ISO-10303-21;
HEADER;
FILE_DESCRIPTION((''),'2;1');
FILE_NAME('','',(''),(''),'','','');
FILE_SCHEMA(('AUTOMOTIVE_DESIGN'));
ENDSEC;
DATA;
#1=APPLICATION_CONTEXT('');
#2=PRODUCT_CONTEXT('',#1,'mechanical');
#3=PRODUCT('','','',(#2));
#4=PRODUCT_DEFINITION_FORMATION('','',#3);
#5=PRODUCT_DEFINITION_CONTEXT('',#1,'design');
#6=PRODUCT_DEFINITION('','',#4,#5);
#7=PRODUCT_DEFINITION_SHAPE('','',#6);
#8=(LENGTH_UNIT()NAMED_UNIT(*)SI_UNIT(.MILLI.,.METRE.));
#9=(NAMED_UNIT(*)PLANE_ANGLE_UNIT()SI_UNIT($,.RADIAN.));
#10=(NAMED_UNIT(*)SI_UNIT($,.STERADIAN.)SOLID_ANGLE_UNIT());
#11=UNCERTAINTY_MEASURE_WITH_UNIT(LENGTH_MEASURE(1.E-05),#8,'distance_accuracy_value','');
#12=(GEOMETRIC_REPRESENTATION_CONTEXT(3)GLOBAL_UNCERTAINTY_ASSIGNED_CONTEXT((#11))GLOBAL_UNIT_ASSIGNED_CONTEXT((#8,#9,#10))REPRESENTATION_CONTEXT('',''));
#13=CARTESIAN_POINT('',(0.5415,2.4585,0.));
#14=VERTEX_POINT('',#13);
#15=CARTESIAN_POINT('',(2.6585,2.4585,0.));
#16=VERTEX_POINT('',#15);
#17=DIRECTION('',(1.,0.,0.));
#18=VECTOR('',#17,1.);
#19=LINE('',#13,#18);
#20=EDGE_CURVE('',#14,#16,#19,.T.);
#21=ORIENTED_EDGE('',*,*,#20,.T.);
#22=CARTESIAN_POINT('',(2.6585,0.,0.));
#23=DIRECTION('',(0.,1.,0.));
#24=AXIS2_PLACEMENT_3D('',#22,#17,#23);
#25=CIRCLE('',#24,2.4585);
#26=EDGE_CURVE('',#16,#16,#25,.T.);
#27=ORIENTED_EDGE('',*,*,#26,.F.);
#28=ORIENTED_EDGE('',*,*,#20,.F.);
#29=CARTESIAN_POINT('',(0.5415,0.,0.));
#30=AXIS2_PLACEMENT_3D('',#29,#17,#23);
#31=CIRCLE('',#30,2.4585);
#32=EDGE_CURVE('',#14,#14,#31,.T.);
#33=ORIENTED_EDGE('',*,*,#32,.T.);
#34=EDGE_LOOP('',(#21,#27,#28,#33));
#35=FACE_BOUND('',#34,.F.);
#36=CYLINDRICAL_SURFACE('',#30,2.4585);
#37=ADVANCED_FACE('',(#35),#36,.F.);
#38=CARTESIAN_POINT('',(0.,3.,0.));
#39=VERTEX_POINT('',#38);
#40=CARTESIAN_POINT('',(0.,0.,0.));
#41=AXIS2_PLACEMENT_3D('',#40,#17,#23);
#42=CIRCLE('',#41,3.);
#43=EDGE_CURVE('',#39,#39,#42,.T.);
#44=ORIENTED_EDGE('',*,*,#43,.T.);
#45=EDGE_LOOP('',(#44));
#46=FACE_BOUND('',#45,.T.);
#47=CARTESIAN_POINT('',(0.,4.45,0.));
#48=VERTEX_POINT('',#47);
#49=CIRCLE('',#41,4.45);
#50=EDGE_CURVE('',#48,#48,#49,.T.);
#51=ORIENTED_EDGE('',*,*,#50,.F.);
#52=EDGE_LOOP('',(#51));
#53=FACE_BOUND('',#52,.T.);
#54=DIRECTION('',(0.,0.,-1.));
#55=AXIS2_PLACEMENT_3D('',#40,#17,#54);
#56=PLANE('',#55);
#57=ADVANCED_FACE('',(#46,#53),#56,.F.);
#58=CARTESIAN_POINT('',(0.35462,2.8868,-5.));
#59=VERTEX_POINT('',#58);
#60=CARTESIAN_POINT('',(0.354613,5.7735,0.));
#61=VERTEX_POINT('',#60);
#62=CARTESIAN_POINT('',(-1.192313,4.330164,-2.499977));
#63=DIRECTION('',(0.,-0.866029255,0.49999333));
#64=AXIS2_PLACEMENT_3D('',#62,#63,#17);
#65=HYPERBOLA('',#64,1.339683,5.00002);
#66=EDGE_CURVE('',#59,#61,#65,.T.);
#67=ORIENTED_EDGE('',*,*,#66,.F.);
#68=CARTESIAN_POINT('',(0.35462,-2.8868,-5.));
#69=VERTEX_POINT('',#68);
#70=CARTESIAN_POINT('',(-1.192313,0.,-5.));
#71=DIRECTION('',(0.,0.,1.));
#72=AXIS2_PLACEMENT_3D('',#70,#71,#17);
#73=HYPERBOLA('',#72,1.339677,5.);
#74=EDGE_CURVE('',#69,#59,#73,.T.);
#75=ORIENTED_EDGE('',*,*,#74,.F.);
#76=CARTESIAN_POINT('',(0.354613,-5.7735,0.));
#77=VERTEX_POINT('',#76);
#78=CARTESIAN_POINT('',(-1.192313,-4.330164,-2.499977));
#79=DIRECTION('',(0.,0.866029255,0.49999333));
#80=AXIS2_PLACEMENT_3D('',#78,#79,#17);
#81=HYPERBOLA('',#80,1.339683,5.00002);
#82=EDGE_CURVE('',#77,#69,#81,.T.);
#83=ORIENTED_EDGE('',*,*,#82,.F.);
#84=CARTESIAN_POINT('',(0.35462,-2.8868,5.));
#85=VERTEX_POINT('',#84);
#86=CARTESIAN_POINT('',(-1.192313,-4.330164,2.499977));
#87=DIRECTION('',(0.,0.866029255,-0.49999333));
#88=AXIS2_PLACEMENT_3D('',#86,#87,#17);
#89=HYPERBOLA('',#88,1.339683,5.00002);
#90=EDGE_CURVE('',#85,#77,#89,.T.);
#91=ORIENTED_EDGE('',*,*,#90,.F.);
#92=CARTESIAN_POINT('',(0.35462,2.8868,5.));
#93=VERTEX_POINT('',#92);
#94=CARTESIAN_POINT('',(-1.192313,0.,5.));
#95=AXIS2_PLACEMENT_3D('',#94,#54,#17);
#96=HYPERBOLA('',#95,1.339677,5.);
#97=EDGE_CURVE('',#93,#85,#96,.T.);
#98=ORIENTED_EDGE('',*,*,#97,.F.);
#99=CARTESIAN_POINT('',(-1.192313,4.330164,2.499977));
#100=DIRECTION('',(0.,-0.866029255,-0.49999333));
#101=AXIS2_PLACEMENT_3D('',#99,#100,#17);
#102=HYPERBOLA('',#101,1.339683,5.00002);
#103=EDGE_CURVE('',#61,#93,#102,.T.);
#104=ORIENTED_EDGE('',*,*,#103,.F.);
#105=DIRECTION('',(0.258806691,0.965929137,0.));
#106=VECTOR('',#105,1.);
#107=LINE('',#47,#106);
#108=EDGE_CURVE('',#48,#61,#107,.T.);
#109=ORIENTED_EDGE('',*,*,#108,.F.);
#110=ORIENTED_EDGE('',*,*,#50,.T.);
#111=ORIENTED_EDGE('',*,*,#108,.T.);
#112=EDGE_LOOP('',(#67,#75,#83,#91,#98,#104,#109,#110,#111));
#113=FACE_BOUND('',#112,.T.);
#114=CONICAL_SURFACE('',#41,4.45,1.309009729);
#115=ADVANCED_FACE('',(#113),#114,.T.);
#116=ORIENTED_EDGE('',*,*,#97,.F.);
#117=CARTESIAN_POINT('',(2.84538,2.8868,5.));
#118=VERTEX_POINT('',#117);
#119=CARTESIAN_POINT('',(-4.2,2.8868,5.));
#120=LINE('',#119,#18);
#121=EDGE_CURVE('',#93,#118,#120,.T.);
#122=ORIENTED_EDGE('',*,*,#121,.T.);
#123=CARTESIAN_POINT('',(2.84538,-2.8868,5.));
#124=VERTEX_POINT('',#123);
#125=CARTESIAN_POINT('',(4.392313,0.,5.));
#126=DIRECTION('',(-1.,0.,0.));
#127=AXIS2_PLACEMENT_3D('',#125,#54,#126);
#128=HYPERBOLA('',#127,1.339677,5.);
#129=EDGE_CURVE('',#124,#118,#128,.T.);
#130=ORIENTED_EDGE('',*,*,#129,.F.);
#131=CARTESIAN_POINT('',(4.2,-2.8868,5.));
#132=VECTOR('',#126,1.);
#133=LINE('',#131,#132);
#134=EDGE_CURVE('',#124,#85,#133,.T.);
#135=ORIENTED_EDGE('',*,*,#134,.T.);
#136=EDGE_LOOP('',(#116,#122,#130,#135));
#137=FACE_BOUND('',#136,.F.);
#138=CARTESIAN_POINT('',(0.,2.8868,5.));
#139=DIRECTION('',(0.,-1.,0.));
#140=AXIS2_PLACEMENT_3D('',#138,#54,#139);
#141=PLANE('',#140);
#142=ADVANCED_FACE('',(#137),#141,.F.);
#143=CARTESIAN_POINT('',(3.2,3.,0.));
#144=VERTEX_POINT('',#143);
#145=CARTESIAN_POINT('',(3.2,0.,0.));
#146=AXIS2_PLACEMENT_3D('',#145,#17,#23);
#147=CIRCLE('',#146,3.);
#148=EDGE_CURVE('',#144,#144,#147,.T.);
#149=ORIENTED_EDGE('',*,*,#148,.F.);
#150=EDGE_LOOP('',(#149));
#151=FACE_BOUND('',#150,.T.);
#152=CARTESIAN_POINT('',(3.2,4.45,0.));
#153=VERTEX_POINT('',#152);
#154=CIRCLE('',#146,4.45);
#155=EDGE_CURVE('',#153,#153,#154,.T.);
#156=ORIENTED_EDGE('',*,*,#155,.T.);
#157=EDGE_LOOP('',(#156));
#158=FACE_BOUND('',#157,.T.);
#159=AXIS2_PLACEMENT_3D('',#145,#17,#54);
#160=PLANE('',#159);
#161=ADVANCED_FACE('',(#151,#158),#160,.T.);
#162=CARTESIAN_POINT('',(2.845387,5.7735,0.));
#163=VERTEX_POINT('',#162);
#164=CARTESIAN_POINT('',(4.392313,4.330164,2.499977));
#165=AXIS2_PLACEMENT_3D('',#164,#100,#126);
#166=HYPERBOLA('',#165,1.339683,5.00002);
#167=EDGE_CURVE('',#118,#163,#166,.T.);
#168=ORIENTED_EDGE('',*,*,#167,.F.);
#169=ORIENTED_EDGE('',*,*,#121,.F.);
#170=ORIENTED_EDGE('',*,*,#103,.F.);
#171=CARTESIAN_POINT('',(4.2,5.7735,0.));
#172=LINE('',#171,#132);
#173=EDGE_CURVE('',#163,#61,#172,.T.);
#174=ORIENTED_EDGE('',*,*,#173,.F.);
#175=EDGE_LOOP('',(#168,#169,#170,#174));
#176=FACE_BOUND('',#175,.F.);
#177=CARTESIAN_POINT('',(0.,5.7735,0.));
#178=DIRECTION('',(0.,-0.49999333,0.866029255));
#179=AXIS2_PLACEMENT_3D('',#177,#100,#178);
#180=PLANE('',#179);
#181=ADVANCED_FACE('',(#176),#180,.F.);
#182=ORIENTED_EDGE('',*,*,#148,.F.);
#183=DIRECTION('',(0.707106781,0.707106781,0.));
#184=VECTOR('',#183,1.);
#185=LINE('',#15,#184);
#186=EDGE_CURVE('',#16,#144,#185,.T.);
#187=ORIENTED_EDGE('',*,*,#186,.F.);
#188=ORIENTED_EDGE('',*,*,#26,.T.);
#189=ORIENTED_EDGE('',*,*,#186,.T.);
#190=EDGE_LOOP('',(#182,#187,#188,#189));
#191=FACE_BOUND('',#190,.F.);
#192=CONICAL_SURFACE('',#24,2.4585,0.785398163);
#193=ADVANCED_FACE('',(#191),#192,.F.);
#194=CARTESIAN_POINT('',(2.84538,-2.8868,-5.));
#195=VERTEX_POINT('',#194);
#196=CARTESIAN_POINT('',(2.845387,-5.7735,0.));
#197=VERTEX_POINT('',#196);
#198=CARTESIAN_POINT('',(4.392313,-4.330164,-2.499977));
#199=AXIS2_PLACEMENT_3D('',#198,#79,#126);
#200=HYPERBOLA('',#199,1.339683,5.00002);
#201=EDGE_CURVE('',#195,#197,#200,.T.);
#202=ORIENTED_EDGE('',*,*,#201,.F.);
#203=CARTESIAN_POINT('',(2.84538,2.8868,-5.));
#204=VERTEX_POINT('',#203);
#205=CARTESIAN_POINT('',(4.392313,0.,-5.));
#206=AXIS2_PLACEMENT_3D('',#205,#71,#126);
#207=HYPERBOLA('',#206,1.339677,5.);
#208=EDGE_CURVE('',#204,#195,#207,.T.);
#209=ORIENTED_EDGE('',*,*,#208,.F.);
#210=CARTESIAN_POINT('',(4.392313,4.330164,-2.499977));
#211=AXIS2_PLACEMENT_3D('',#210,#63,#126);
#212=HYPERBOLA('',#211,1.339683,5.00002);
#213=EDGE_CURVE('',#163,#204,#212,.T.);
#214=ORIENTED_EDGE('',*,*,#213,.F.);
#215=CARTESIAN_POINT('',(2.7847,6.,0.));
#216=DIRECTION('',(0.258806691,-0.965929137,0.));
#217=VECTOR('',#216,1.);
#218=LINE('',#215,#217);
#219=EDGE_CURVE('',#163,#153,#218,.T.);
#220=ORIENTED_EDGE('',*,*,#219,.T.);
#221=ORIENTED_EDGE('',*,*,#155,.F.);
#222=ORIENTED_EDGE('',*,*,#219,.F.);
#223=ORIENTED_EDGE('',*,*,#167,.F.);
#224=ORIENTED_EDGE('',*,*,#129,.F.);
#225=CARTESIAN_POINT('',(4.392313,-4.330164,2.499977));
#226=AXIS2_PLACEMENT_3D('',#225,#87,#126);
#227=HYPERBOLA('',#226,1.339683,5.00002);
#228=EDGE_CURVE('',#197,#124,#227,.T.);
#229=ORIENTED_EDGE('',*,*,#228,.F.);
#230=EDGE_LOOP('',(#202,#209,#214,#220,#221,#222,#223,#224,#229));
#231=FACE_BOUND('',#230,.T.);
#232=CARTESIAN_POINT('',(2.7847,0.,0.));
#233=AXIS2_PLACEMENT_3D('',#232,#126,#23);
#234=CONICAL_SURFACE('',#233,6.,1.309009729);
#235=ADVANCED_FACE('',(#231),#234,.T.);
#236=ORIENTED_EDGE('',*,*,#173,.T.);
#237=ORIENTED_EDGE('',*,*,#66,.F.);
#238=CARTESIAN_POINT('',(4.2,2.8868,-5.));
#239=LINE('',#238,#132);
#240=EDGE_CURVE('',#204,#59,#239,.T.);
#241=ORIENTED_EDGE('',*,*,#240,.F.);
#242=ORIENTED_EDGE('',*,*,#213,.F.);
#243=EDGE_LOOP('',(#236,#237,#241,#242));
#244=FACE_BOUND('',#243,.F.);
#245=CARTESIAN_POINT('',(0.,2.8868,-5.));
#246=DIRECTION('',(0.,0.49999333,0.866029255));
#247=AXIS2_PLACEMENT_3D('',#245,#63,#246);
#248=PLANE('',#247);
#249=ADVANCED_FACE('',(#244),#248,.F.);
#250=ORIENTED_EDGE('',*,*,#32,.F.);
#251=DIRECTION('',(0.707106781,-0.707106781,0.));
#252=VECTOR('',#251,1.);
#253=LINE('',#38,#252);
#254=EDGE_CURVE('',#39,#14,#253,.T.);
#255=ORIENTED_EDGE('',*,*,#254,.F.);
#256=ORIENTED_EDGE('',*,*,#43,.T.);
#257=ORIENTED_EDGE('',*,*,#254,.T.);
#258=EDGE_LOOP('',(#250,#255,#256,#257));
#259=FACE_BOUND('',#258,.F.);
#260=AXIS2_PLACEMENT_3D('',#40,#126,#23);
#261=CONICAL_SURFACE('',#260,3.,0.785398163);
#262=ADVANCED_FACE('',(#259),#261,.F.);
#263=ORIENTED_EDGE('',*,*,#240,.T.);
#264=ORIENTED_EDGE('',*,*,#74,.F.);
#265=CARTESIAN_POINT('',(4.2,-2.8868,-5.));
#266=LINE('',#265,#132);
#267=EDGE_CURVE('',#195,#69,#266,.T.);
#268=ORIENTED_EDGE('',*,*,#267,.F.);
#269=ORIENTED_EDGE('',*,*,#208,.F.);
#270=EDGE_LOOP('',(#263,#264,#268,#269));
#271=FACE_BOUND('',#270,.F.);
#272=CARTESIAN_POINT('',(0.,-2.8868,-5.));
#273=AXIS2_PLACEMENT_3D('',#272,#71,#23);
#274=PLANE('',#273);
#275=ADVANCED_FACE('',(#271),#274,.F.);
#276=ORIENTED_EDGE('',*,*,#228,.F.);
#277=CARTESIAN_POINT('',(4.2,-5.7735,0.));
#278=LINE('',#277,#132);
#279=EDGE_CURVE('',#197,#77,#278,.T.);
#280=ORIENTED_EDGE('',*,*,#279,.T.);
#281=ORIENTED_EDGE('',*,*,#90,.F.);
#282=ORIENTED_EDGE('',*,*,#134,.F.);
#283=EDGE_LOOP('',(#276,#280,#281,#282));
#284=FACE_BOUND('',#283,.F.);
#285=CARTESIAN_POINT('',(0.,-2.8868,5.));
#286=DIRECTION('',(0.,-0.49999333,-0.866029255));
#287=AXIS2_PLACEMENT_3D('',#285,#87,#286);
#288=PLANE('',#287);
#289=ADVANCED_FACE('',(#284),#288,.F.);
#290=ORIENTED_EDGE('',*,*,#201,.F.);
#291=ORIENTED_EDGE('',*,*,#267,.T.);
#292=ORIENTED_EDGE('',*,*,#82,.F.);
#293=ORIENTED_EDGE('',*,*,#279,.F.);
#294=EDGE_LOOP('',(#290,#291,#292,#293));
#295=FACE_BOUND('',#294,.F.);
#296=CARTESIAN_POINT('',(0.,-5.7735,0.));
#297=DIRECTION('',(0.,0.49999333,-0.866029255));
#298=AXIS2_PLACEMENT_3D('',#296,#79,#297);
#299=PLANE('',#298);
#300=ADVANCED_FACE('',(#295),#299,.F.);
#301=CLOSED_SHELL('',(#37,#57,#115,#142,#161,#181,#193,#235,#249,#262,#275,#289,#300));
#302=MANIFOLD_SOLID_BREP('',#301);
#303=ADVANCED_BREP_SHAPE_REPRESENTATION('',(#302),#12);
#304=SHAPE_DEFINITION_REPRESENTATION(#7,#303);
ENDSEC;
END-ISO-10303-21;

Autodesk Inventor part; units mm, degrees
sketch "Sketch_1" plane through (0, 0, 0) normal (0, 1, 0) x (-1, 0, 0)
  line L0 (-3.2, 0) -> (0, 0)
  line L1 (0, 0) -> (0, -6)
  line L2 (0, -6) -> (-3.2, -6)
  line L3 (-3.2, -6) -> (-3.2, 0)
  line L4 (-3.2, 0) -> (0, 0)
revolve "Revolution1" add sketch "Sketch_1" angle 360 about axis through (3.2, 0, 0) along (1, 0, 0)
sketch "Sketch_3" plane through (0, 0, 0) normal (0, 0, 1) x (1, 0, 0)
  line L0 (3.2, 0) -> (0, 0)
  line L1 (-4.45, 10) -> (-4.45, 4.45)
  line L2 (-4.45, 4.45) -> (0, 4.45)
  line L3 (0, 4.45) -> (0.4153, 6)
  line L4 (0.4153, 6) -> (2.7847, 6)
  line L5 (2.7847, 6) -> (3.2, 4.45)
  line L6 (3.2, 4.45) -> (7.65, 4.45)
  line L7 (7.65, 4.45) -> (7.65, 10)
  line L8 (7.65, 10) -> (-4.45, 10)
revolve "Revolution2" cut sketch "Sketch_3" angle 360 about axis through (3.2, 0, 0) along (1, 0, 0)
sketch "Skizze_3" plane through (0, 0, 0) normal (0, 0, 1) x (1, 0, 0)
  line L0 (3.2, 0) -> (0, 0)
  line L1 (0, 0) -> (0, 3)
  line L2 (0, 3) -> (0.5415, 2.4585)
  line L3 (0.5415, 2.4585) -> (2.6585, 2.4585)
  line L4 (2.6585, 2.4585) -> (3.2, 3)
  line L5 (3.2, 3) -> (3.2, 0)
  line L6 (3.2, 0) -> (0, 0)
revolve "Revolution3" cut sketch "Skizze_3" angle 360 about axis through (3.2, 0, 0) along (1, 0, 0)
thread "Thread1" size "M6x1" class "6H" standard "ISO Metric profile" full length
sketch "Sketch_2" plane through (0, 0, 0) normal (1, 0, 0) x (0, 1, 0)
  line L0 (20, 20) -> (-20, 20)
  line L1 (-20, 20) -> (-20, -20)
  line L2 (-20, -20) -> (20, -20)
  line L3 (20, -20) -> (20, 20)
  line L4 (2.8868, 5) -> (-2.8868, 5)
  line L5 (-2.8868, 5) -> (-5.7735, 0)
  line L6 (-5.7735, 0) -> (-2.8868, -5)
  line L7 (-2.8868, -5) -> (2.8868, -5)
  line L8 (2.8868, -5) -> (5.7735, 0)
  line L9 (5.7735, 0) -> (2.8868, 5)
extrude "Extrusion1" cut sketch "Sketch_2" along normal mid plane 8.4
ref_plane "2CYL_XY" through (1.6, 0, 0) normal (1, 0, 0) x (0, 0, -1)
ref_plane "2CYL_YZ" through (1.6, 0, 0) normal (0, 0, -1) x (0, 1, 0)
ref_plane "2CYL_ZX" through (1.6, 0, 0) normal (0, 1, 0) x (1, 0, 0)
ref_plane "IP1_XY" through (0, 0, 0) normal (1, 0, 0) x (0, 0, -1)
ref_plane "IP1_YZ" through (0, 0, 0) normal (0, 0, -1) x (0, 1, 0)
ref_plane "IP1_ZX" through (0, 0, 0) normal (0, 1, 0) x (1, 0, 0)
ref_plane "IP2_XY" through (3.2, 0, 0) normal (1, 0, 0) x (0, 0, -1)
ref_plane "IP2_YZ" through (3.2, 0, 0) normal (0, 0, -1) x (0, 1, 0)
ref_plane "IP2_ZX" through (3.2, 0, 0) normal (0, 1, 0) x (1, 0, 0)
properties part number "ISO 4035 M6(F)"
